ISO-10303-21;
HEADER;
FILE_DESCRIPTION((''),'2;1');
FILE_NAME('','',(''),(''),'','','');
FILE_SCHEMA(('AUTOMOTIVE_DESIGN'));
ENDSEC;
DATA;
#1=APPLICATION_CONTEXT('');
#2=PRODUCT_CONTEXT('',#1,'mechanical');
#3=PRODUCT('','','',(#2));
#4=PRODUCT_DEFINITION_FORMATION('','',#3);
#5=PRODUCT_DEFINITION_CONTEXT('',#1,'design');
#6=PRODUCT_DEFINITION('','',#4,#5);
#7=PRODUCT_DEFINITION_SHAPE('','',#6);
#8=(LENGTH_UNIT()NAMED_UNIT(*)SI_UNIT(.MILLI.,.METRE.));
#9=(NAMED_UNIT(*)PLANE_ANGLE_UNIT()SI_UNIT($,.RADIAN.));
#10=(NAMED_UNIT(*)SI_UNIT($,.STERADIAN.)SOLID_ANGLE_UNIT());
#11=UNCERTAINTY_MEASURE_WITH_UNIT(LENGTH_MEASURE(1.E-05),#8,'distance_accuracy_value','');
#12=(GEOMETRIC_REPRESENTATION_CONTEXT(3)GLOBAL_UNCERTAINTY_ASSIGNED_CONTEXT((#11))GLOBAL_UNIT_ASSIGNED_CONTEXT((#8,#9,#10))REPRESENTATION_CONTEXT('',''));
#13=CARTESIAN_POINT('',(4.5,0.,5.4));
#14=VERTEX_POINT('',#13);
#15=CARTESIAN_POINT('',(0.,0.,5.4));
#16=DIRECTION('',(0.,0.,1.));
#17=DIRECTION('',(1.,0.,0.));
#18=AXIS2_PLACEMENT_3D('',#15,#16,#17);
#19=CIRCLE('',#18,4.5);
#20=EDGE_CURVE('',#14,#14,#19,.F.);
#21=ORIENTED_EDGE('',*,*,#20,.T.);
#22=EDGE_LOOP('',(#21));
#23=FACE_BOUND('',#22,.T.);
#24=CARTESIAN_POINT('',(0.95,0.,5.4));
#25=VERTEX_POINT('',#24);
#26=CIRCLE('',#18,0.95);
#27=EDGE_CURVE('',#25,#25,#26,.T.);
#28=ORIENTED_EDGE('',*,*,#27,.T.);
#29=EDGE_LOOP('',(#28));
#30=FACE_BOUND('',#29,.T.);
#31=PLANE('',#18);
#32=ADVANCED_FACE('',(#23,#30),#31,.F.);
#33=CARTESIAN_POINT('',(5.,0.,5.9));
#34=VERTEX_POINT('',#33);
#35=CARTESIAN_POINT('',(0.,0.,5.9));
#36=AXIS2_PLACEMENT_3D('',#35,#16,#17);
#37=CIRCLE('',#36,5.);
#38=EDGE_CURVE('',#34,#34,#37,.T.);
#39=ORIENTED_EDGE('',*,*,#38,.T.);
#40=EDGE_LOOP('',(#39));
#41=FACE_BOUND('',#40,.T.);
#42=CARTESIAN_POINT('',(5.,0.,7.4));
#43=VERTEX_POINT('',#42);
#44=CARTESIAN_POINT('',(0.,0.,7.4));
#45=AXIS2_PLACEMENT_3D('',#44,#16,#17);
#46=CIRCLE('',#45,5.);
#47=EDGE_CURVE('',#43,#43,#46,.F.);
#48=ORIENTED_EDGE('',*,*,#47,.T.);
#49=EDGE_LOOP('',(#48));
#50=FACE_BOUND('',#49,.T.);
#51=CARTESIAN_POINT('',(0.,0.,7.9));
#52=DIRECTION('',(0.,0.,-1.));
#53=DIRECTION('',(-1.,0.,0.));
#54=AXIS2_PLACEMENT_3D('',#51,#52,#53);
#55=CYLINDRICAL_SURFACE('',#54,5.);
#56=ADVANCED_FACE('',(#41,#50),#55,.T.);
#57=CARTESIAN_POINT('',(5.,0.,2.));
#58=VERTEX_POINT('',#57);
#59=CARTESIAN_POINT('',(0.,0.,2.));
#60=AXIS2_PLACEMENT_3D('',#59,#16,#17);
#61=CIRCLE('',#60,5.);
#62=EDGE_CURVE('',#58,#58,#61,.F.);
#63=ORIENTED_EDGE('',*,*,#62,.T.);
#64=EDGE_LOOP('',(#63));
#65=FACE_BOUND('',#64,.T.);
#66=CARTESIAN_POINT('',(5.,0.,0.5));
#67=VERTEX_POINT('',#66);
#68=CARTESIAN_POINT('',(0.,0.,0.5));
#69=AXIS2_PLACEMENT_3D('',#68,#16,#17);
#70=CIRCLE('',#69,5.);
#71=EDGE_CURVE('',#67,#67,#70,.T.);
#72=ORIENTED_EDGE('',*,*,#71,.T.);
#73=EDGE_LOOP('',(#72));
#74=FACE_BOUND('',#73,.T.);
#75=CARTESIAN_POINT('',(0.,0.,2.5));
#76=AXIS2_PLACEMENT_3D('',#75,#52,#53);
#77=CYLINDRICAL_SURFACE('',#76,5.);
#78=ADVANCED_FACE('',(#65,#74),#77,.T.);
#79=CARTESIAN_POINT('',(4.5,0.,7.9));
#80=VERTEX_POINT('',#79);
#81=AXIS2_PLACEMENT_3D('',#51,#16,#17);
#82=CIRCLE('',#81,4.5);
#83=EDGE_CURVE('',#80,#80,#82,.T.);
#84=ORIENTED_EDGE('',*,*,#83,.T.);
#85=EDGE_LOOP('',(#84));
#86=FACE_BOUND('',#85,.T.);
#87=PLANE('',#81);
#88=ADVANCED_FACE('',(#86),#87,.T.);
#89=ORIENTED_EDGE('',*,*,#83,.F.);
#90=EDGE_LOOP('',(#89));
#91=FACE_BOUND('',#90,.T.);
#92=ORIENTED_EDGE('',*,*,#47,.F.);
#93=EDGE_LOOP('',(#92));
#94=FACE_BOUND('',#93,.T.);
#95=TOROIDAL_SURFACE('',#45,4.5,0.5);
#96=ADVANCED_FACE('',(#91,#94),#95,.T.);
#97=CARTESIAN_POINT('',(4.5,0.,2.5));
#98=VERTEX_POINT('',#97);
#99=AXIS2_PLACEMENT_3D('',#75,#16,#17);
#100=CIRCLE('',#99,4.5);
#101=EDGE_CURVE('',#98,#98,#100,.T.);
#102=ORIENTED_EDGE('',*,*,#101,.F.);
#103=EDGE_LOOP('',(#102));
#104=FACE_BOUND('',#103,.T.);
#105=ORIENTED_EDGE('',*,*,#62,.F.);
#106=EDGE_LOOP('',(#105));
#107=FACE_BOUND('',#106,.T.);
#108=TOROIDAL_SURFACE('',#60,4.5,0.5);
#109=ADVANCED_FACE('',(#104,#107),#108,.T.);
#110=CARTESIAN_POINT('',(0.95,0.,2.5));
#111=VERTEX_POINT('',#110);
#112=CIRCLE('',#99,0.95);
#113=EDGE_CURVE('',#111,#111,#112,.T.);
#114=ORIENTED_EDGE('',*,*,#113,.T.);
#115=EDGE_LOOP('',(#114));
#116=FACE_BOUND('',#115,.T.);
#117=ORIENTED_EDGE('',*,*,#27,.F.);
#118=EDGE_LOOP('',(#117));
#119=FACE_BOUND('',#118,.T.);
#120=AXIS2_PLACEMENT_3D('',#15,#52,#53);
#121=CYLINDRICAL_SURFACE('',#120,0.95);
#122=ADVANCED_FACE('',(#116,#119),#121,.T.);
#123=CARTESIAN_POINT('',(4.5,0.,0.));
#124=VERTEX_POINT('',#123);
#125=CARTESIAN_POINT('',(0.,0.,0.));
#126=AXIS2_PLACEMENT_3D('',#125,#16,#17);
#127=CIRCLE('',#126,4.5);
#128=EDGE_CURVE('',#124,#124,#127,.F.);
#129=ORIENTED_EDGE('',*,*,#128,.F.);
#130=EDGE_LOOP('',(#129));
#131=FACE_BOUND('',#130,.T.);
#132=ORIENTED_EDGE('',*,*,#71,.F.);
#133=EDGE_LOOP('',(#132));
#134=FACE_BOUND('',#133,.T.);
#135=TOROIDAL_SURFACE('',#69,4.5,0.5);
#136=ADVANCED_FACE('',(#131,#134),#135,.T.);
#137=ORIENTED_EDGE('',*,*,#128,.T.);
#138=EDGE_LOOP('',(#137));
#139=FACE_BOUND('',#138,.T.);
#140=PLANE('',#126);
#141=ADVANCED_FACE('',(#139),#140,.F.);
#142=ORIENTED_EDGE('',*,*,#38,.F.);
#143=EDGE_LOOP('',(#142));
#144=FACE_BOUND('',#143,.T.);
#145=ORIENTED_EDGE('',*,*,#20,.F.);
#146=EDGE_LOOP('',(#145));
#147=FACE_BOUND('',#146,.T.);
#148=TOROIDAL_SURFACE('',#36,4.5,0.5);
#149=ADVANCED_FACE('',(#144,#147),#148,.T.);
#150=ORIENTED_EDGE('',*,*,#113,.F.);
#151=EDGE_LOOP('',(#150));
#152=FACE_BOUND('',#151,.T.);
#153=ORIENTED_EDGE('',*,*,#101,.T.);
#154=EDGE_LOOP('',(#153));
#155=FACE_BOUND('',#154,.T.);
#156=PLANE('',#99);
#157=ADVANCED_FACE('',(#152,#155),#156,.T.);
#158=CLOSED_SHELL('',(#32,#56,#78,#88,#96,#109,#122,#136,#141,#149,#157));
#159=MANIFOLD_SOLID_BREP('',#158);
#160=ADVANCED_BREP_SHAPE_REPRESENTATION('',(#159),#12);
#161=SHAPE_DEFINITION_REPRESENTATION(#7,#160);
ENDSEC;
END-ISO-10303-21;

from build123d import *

# Parameters (mm, degrees)
SKETCH1_R           = 5
BOSS_EXTRUDE1_DEPTH = 2.5
FILLET1_R           = 0.5
FILLET2_R           = 0.5
SKETCH2_R           = 0.95
BOSS_EXTRUDE2_DEPTH = 2.9
SKETCH3_R           = 5
BOSS_EXTRUDE3_DEPTH = 2.5
FILLET3_R           = 0.5


with BuildPart() as part:
    # Sketch1 → Boss-Extrude1 (new body)
    with BuildSketch(Plane.XY):
        Circle(SKETCH1_R)
    extrude(amount=BOSS_EXTRUDE1_DEPTH)

    # Fillet1
    fillet1_edges = [part.edges().sort_by_distance(p)[0] for p in [
        (-5, 0, 0),
    ]]
    fillet(fillet1_edges, radius=FILLET1_R)

    # Fillet2
    fillet2_edges = [part.edges().sort_by_distance(p)[0] for p in [
        (-5, 0, 2.5),
    ]]
    fillet(fillet2_edges, radius=FILLET2_R)

    # Sketch2 → Boss-Extrude2 (add)
    with BuildSketch(Plane.XY.offset(2.5)):
        Circle(SKETCH2_R)
    extrude(amount=BOSS_EXTRUDE2_DEPTH)

    # Sketch3 → Boss-Extrude3 (add)
    with BuildSketch(Plane.XY.offset(5.4)):
        Circle(SKETCH3_R)
    extrude(amount=BOSS_EXTRUDE3_DEPTH)

    # Fillet3
    fillet3_edges = [part.edges().sort_by_distance(p)[0] for p in [
        (-5, 0, 5.4),
        (-5, 0, 7.9),
    ]]
    fillet(fillet3_edges, radius=FILLET3_R)


solid = part.part
